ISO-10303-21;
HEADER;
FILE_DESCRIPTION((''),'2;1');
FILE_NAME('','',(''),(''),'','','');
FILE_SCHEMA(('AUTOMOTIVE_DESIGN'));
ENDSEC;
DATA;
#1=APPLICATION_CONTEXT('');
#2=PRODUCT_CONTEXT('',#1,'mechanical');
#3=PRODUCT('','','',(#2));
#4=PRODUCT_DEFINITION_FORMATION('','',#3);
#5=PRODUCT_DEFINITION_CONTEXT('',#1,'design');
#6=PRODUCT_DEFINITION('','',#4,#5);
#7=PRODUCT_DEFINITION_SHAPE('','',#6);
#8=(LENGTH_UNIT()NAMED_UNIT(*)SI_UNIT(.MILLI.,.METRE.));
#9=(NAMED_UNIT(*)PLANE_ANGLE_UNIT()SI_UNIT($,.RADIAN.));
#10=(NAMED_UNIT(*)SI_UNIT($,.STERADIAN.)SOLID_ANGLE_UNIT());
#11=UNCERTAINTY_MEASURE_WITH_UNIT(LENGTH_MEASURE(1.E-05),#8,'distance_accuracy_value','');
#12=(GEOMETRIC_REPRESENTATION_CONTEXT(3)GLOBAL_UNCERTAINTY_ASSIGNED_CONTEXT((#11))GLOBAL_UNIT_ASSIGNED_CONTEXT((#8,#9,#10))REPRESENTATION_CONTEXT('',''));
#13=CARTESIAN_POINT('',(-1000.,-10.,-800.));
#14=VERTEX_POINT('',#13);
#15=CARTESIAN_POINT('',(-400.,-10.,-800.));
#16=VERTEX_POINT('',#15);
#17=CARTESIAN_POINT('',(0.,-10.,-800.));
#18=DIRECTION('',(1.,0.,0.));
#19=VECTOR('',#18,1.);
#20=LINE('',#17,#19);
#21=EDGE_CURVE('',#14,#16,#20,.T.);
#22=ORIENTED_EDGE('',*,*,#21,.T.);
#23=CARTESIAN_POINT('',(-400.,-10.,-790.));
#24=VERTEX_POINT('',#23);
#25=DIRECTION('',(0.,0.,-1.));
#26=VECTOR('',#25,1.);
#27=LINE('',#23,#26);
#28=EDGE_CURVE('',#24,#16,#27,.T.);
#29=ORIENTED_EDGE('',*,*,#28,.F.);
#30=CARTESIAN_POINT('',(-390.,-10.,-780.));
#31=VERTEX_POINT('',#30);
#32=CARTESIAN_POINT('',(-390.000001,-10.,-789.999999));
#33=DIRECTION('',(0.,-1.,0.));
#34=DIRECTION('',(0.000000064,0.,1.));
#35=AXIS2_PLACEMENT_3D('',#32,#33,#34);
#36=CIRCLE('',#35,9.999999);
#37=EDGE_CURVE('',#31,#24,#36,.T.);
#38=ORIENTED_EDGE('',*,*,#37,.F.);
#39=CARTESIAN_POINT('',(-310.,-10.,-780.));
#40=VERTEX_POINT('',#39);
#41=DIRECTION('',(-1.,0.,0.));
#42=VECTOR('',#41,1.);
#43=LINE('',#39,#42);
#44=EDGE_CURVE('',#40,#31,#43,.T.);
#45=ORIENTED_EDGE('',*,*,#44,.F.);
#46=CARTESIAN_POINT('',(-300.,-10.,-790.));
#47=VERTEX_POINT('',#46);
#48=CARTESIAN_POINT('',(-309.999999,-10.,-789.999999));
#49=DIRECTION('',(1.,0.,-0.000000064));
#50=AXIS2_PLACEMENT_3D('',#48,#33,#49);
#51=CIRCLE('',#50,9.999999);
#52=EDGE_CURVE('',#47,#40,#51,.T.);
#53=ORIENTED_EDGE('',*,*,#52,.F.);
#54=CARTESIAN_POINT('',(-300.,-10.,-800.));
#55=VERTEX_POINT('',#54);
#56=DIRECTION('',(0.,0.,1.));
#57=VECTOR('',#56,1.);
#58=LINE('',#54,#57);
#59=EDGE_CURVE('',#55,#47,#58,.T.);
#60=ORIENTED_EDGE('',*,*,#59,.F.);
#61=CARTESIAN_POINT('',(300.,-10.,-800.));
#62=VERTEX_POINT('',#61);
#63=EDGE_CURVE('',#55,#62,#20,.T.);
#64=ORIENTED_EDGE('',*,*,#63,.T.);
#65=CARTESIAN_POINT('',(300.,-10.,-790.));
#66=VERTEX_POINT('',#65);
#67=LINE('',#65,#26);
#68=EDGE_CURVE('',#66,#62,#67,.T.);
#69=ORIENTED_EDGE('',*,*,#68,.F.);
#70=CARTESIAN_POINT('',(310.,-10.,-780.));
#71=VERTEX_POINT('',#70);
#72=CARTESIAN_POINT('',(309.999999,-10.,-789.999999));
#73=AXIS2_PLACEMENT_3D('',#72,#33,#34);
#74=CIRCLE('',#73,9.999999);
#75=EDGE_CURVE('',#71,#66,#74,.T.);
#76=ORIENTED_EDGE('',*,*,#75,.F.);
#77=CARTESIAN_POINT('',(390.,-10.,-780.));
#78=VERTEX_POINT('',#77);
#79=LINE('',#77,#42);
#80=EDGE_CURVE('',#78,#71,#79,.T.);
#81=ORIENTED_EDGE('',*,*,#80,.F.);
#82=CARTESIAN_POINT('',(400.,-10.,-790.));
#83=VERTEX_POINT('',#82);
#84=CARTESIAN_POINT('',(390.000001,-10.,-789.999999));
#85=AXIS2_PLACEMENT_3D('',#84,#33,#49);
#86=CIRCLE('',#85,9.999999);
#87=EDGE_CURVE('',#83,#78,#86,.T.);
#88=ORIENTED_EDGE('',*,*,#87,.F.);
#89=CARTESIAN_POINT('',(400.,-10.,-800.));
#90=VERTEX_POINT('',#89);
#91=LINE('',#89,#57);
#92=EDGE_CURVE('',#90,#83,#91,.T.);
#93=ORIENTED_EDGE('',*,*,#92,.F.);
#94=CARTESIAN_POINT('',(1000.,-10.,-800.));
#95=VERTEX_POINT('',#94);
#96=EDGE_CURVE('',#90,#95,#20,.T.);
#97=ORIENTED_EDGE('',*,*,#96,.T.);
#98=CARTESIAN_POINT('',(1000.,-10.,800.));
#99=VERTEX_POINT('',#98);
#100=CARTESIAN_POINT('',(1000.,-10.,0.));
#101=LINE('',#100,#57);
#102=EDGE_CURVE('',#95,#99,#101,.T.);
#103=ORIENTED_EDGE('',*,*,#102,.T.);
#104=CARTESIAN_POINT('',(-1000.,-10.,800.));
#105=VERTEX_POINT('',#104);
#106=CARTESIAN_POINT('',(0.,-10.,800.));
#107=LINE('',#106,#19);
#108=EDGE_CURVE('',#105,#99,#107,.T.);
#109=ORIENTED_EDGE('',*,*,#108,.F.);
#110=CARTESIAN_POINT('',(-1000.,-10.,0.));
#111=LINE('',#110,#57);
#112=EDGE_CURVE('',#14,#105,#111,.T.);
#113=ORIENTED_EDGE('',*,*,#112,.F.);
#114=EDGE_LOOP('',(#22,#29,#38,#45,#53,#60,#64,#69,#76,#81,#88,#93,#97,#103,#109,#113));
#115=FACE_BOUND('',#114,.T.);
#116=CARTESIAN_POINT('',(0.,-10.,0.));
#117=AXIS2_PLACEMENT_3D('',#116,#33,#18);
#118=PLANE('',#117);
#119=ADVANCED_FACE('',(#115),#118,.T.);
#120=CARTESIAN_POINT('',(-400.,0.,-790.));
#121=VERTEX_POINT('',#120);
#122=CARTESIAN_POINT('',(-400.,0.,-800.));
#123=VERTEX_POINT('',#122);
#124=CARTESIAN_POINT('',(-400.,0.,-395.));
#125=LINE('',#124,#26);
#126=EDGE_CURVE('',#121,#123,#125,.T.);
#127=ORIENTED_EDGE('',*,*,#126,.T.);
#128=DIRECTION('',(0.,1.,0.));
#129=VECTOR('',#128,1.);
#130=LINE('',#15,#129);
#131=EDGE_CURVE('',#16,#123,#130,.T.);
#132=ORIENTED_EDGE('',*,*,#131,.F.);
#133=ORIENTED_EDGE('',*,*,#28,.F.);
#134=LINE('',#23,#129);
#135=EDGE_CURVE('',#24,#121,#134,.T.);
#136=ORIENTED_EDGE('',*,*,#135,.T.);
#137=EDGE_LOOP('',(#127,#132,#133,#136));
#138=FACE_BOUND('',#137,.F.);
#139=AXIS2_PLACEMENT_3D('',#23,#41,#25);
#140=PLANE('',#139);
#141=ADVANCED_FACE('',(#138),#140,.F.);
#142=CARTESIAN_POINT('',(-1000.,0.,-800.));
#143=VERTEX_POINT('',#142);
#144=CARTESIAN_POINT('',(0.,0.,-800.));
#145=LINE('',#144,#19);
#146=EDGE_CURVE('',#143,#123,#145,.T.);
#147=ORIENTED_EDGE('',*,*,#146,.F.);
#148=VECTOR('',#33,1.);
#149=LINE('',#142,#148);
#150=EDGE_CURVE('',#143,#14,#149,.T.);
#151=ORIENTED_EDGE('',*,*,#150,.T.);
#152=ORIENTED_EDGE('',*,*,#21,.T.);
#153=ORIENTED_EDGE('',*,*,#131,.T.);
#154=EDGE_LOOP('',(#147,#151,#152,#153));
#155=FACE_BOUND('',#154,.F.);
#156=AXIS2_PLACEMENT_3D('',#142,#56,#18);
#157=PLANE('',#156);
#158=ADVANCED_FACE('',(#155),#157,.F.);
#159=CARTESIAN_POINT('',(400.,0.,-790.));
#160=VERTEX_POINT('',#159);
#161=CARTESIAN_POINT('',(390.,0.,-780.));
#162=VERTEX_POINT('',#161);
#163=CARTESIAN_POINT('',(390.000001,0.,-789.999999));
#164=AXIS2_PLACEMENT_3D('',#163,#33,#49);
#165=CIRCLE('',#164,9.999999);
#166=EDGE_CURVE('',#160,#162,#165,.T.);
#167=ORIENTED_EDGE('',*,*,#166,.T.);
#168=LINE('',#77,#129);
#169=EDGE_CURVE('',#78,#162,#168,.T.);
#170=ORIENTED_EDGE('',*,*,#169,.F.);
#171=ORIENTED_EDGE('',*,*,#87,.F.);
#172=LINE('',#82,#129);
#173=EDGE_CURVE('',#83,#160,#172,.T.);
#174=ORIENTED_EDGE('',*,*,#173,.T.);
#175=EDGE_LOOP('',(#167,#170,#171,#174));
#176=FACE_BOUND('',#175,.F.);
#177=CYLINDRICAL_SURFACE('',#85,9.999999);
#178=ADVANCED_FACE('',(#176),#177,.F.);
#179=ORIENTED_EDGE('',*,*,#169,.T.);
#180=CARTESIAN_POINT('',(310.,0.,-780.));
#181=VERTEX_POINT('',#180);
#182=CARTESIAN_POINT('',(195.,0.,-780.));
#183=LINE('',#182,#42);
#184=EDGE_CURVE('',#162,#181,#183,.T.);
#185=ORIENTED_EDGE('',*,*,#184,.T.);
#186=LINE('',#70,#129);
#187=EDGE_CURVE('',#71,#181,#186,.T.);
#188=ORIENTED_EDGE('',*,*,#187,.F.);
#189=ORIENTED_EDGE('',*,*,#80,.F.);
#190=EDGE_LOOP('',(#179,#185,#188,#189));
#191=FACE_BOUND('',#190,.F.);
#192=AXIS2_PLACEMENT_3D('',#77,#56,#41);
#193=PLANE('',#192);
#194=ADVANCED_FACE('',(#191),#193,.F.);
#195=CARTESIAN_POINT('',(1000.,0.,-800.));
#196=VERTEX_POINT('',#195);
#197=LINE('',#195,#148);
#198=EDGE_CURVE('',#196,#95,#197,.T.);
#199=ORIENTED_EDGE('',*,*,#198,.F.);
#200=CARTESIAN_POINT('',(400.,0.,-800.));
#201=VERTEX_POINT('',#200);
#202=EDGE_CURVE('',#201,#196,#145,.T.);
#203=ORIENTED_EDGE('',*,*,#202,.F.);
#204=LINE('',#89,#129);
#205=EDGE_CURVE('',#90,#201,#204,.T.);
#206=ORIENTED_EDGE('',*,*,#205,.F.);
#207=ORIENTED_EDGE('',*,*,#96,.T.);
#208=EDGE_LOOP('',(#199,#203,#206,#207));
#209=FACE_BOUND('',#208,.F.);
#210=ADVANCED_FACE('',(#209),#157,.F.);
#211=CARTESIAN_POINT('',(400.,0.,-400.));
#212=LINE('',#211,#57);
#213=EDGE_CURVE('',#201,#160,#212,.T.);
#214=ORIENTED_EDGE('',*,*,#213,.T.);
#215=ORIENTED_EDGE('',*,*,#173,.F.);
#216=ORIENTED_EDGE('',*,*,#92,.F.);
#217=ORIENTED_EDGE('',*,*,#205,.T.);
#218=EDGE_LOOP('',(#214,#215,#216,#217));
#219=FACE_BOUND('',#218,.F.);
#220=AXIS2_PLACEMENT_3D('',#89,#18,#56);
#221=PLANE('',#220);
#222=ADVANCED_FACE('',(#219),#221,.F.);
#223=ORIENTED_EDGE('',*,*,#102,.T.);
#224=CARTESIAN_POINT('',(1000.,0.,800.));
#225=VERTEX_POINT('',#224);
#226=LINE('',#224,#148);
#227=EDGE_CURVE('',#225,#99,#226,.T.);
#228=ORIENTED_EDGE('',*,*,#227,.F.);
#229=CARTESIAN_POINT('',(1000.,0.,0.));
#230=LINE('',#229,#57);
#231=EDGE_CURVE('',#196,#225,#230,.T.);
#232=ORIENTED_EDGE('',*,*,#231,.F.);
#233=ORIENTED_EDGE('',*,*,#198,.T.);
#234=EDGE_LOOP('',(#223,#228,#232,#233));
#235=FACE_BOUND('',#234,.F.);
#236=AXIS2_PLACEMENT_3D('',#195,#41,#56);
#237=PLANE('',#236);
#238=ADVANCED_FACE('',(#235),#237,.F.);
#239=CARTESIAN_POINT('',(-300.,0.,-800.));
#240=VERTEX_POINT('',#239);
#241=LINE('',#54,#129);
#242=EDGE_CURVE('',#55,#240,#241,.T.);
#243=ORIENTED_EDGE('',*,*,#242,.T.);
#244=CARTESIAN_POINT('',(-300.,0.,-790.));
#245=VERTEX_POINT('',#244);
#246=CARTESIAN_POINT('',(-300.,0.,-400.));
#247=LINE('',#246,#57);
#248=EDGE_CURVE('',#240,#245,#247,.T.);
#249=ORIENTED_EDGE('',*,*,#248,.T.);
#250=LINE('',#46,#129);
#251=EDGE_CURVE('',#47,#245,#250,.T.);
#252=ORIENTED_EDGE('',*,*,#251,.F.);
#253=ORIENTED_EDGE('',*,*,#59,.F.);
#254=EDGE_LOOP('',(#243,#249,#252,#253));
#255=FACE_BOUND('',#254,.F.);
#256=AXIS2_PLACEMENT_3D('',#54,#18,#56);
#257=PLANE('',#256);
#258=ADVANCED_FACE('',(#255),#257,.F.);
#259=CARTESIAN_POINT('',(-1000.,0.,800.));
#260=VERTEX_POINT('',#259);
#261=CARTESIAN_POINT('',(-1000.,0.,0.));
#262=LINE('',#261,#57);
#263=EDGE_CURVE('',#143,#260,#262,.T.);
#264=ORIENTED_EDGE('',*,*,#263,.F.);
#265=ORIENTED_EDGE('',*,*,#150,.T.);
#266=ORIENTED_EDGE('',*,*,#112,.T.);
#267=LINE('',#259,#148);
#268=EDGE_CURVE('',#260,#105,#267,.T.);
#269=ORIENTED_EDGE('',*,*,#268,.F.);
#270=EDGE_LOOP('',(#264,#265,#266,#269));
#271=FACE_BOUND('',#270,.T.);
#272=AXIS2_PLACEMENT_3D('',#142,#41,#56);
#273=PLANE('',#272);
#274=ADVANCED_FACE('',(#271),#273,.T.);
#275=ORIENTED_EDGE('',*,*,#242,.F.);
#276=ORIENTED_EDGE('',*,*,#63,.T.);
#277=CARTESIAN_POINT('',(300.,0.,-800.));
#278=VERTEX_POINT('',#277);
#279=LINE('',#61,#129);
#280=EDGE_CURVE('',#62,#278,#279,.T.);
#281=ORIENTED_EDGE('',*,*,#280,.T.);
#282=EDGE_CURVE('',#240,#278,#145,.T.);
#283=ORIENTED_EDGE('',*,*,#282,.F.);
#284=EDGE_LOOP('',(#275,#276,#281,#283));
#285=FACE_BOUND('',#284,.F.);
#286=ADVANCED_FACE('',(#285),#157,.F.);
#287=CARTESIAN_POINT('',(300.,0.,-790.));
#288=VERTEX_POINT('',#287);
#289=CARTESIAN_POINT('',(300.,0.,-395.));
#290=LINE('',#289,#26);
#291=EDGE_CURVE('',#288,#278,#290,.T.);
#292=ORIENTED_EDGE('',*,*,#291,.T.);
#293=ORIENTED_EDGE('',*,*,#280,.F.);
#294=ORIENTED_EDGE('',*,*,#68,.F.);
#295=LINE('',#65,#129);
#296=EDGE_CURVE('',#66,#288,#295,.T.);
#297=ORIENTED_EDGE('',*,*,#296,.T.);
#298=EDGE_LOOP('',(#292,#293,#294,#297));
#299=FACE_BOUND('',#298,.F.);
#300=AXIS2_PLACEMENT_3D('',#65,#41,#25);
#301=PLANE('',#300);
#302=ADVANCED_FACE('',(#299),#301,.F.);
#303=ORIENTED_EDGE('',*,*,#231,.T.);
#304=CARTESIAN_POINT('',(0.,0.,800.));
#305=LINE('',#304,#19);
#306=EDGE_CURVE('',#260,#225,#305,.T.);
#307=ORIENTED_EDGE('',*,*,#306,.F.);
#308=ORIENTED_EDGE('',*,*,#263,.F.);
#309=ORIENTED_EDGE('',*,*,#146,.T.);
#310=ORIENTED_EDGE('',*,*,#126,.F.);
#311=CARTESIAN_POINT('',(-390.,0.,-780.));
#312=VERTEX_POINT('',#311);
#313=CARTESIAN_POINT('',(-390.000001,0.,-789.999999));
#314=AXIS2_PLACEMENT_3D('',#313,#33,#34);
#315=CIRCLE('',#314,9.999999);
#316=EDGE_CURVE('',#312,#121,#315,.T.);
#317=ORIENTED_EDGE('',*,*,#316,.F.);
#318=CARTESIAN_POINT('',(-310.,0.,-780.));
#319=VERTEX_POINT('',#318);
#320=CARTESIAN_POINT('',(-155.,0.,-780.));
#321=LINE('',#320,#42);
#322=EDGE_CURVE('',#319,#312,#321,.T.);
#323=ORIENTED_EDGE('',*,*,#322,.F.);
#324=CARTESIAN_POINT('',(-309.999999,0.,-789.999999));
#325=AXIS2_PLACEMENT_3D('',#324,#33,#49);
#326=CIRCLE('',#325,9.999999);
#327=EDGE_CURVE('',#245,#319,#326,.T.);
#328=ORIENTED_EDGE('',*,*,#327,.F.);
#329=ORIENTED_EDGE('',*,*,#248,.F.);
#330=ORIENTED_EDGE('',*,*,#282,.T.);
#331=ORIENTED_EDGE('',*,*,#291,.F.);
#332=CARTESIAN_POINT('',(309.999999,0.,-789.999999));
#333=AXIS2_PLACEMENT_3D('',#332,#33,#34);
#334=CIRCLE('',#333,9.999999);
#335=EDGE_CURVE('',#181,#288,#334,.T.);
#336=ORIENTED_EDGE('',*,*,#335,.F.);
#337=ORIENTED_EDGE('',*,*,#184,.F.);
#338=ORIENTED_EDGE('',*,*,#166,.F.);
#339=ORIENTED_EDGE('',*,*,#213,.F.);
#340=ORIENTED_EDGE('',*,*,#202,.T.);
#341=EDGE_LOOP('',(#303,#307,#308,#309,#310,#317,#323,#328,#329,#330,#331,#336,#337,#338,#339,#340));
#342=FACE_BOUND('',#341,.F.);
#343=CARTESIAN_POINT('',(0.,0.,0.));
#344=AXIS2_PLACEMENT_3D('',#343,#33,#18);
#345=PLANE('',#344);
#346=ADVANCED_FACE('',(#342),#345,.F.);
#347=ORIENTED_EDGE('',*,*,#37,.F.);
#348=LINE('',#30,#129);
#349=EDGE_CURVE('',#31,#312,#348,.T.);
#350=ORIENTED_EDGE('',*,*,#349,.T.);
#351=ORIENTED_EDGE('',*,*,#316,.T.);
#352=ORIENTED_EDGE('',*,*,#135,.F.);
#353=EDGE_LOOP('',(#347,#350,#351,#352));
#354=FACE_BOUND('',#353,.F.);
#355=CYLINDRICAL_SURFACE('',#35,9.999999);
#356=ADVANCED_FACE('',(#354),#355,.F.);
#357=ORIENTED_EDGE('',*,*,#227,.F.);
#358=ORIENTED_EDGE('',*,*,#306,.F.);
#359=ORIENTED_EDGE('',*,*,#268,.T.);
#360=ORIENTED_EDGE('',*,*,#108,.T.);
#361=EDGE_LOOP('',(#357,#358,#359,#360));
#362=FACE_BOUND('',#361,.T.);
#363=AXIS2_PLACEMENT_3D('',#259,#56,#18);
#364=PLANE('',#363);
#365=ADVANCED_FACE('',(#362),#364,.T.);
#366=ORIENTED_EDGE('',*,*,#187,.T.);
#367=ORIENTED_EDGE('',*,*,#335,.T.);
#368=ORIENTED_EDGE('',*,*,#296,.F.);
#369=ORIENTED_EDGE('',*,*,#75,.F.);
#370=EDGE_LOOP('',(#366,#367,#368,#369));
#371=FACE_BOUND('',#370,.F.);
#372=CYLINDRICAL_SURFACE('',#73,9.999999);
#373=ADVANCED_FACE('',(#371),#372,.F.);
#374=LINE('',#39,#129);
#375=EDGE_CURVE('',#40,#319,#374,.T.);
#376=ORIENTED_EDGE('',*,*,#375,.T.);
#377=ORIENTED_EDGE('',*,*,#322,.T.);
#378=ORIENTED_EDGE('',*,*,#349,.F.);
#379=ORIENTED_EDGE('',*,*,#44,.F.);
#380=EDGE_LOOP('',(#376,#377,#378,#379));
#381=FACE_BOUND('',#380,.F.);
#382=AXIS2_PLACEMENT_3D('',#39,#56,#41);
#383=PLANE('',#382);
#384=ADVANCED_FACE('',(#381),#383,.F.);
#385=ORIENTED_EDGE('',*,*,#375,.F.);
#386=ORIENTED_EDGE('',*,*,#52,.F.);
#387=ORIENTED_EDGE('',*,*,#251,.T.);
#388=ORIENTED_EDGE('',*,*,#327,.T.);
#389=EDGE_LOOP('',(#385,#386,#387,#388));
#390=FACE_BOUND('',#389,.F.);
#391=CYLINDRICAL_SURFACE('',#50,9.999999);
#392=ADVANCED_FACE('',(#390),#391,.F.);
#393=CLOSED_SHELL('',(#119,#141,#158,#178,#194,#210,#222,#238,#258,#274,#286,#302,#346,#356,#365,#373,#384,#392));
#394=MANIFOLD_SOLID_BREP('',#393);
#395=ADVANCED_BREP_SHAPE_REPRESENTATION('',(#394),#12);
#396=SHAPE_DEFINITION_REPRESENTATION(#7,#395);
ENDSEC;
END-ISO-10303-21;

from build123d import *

# Parameters (mm, degrees)
F0_W     = 2000
F0_H     = 1600
F1_DEPTH = 10
F3_DEPTH = 18


with BuildPart() as f1:
    # F0 (on Front) → F1 (new body)
    with BuildSketch(Plane.XZ):
        Rectangle(F0_W, F0_H)
    extrude(amount=F1_DEPTH)

    # F2 (on face) → F3 (cut)
    with BuildSketch(Plane.XZ.offset(10)):
        with BuildLine():
            Line((-400, -790), (-400, -800))
            Line((-400, -800), (-300, -800))
            Line((-300, -800), (-300, -790))
            ThreePointArc((-300, -790), (-302.928932, -782.928932), (-310, -780))
            Line((-310, -780), (-390, -780))
            ThreePointArc((-390, -780), (-397.071068, -782.928932), (-400, -790))
        make_face()
        with BuildLine():
            Line((300, -790), (300, -800))
            Line((300, -800), (400, -800))
            Line((400, -800), (400, -790))
            ThreePointArc((400, -790), (397.071068, -782.928932), (390, -780))
            Line((390, -780), (310, -780))
            ThreePointArc((310, -780), (302.928932, -782.928932), (300, -790))
        make_face()
    extrude(amount=-F3_DEPTH, mode=Mode.SUBTRACT)


solid = f1.part
